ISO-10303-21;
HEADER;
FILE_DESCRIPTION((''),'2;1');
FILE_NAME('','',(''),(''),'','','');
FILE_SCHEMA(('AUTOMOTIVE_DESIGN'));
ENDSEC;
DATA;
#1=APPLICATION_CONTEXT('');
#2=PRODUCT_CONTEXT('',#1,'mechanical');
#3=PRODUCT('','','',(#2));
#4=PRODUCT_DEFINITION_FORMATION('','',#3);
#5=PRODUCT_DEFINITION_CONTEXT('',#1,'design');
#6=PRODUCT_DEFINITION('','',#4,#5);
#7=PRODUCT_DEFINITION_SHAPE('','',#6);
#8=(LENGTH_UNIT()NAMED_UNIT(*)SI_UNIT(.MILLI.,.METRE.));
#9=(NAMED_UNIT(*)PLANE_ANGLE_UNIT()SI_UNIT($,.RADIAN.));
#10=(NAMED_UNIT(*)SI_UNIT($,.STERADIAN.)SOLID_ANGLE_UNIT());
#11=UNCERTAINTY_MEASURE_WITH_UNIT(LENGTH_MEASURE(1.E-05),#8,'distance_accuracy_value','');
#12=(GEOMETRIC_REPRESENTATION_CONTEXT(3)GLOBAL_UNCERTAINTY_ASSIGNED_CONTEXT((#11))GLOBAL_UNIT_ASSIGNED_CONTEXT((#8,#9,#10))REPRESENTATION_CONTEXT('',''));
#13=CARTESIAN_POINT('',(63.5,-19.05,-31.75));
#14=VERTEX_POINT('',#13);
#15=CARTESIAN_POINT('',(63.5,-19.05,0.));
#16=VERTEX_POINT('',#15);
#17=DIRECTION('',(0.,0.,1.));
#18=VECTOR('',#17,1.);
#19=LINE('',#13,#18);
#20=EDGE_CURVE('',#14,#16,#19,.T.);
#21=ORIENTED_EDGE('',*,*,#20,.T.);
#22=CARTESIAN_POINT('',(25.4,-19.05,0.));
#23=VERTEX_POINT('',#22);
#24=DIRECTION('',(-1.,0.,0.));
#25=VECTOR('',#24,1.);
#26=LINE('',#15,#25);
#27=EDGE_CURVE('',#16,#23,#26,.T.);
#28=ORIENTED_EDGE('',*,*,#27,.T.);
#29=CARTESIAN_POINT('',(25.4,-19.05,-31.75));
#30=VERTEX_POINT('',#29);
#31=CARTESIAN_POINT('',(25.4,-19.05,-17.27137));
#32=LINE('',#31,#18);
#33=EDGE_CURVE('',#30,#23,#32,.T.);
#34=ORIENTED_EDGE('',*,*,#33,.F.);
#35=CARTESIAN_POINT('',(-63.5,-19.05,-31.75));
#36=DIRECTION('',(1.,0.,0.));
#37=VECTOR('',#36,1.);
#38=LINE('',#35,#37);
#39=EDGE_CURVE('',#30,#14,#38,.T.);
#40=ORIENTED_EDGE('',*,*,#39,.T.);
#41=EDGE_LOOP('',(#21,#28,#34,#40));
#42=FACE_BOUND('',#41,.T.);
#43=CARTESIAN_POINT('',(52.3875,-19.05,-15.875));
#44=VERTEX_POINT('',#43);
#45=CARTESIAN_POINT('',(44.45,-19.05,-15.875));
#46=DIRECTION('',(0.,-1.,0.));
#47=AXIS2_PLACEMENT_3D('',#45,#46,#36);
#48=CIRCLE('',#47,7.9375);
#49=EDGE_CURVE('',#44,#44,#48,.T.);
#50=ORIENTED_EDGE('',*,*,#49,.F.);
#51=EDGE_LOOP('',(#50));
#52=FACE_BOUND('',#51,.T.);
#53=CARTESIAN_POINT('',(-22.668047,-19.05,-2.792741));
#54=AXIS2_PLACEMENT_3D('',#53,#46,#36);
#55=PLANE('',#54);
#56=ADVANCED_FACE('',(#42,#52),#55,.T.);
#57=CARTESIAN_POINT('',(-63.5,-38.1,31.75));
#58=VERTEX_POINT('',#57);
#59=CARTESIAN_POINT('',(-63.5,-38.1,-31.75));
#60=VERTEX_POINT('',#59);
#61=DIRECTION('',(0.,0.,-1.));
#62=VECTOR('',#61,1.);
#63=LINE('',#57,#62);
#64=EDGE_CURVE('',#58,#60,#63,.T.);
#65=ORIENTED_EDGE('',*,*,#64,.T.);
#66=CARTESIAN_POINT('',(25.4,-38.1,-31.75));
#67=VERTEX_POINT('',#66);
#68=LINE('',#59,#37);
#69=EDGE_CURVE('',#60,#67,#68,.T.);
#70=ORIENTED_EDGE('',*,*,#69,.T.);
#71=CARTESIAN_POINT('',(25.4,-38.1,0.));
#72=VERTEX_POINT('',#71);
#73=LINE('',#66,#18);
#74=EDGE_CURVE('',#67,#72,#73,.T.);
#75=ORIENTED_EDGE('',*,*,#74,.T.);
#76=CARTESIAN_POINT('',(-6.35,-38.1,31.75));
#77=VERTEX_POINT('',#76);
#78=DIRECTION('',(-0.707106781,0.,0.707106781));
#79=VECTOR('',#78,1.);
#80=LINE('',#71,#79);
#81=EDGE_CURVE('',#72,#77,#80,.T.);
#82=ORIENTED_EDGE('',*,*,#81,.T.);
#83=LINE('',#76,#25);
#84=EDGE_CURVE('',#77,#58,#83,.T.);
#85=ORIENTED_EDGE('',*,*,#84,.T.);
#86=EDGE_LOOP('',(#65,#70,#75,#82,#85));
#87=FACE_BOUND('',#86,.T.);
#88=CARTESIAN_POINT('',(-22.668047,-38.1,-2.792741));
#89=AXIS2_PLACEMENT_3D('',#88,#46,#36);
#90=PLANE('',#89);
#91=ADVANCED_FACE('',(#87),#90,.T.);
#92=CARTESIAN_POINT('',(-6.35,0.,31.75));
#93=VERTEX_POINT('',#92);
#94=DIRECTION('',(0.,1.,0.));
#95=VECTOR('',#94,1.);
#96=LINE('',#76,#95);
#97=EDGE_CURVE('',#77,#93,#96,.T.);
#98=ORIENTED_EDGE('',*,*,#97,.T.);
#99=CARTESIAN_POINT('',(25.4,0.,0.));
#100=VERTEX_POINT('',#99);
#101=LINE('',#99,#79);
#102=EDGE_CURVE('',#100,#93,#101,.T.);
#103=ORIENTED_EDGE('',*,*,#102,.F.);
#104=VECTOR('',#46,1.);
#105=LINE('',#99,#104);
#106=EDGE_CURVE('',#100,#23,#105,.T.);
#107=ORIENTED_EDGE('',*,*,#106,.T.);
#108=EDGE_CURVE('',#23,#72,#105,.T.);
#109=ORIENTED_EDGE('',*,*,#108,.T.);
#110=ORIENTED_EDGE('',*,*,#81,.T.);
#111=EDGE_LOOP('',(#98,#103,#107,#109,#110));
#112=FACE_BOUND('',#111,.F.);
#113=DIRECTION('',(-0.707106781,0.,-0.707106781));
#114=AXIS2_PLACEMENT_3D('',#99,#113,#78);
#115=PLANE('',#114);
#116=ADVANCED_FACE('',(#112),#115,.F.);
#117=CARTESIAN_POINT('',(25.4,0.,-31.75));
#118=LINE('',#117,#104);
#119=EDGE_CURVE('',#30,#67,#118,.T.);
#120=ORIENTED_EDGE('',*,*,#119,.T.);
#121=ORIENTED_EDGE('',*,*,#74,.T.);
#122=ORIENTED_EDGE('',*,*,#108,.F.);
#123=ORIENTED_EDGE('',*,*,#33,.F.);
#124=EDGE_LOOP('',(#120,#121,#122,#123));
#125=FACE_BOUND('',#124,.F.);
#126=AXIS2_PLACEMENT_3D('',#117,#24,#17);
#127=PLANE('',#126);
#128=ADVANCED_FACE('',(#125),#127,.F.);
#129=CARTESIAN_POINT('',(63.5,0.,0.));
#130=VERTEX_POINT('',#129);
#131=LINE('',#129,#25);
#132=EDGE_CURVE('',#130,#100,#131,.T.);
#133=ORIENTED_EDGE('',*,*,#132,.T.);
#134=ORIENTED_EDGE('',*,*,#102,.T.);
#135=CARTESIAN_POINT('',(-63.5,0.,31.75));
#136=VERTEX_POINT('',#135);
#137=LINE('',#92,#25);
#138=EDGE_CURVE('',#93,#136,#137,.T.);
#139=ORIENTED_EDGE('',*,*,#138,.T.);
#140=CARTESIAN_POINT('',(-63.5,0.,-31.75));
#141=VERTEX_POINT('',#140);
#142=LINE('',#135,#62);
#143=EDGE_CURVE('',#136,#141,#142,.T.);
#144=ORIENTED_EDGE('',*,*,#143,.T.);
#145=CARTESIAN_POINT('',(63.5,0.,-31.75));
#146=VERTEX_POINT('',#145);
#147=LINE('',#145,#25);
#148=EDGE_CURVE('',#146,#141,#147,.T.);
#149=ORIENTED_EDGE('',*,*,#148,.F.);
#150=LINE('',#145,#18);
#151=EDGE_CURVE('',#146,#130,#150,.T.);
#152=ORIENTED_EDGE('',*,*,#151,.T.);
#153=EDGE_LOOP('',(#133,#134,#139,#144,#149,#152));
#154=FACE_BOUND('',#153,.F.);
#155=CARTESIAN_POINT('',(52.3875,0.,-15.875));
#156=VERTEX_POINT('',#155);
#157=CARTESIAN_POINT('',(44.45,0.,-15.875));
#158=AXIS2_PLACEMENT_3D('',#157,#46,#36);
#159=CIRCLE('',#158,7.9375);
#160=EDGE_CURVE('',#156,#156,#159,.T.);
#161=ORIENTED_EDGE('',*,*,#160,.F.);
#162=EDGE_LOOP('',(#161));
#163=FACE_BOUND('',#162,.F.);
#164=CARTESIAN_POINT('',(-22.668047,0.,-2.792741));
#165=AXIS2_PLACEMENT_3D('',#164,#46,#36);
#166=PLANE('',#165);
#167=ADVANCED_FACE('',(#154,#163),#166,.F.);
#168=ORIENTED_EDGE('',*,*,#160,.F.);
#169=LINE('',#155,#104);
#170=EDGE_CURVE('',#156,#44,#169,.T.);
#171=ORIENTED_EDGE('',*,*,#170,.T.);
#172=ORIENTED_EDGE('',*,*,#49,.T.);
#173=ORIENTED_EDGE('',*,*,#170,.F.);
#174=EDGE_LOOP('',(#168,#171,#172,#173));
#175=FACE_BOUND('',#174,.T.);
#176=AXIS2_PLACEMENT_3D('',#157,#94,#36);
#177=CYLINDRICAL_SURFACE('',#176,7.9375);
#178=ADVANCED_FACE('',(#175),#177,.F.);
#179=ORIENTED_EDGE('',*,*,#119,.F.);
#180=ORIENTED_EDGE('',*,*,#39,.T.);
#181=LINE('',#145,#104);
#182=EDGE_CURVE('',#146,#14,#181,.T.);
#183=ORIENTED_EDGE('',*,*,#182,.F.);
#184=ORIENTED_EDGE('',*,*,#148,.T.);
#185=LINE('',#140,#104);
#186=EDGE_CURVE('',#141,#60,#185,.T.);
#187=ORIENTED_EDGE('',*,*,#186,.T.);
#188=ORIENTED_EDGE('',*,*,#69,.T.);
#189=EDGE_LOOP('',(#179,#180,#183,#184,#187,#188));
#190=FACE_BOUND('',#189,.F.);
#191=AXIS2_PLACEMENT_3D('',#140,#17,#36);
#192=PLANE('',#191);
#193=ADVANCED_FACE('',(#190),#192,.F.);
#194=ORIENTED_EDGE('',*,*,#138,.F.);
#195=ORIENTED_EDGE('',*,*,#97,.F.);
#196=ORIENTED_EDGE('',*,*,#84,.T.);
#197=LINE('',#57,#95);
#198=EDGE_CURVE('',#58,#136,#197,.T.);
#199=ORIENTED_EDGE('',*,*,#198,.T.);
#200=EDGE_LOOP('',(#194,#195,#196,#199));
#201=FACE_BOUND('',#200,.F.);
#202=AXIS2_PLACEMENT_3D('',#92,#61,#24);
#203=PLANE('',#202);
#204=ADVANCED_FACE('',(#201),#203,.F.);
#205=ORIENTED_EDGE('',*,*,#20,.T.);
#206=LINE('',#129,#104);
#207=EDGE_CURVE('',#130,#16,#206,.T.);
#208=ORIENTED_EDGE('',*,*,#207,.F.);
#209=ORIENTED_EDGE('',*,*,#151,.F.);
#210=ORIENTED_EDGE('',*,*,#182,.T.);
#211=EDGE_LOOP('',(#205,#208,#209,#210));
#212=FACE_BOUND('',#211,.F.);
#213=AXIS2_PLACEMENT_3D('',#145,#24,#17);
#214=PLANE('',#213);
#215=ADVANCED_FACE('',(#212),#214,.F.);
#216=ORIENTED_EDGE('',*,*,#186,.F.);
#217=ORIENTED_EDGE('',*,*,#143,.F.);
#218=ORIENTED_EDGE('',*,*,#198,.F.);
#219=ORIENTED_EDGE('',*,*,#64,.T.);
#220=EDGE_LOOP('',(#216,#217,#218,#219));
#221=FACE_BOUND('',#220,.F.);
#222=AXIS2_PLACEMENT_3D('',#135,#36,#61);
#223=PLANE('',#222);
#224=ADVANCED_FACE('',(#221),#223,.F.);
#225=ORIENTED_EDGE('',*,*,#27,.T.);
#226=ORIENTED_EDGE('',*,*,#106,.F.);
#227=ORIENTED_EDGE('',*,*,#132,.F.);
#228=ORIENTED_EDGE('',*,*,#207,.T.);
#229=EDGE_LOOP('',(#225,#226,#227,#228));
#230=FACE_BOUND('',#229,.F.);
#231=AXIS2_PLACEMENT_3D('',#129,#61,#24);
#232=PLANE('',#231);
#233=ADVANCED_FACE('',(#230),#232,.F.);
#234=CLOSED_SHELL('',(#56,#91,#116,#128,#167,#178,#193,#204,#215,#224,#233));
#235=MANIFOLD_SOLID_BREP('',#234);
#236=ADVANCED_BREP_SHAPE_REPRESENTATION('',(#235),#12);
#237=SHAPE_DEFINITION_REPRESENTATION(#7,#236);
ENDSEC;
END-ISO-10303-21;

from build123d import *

# Parameters (mm, degrees)
F1_DEPTH = 38.1
F0_R     = 7.9375
F2_DEPTH = 19.05


with BuildPart() as f1:
    # F0 (on Front) → F1 (new body)
    with BuildSketch(Plane.XZ):
        Polygon((-63.5, 31.75), (-63.5, -31.75), (25.4, -31.75), (25.4, 0), (-6.35, 31.75), align=None)
    extrude(amount=F1_DEPTH)

    # F0 (on Front) → F2 (join)
    with BuildSketch(Plane.XZ):
        Polygon((-63.5, 31.75), (-63.5, -31.75), (25.4, -31.75), (25.4, 0), (-6.35, 31.75), align=None)
        Polygon((25.4, 0), (25.4, -31.75), (63.5, -31.75), (63.5, -15.875), (63.5, 0), (44.45, 0), align=None)
        with Locations((44.45, -15.875)):
            Circle(F0_R, mode=Mode.SUBTRACT)
    extrude(amount=F2_DEPTH)


solid = f1.part
